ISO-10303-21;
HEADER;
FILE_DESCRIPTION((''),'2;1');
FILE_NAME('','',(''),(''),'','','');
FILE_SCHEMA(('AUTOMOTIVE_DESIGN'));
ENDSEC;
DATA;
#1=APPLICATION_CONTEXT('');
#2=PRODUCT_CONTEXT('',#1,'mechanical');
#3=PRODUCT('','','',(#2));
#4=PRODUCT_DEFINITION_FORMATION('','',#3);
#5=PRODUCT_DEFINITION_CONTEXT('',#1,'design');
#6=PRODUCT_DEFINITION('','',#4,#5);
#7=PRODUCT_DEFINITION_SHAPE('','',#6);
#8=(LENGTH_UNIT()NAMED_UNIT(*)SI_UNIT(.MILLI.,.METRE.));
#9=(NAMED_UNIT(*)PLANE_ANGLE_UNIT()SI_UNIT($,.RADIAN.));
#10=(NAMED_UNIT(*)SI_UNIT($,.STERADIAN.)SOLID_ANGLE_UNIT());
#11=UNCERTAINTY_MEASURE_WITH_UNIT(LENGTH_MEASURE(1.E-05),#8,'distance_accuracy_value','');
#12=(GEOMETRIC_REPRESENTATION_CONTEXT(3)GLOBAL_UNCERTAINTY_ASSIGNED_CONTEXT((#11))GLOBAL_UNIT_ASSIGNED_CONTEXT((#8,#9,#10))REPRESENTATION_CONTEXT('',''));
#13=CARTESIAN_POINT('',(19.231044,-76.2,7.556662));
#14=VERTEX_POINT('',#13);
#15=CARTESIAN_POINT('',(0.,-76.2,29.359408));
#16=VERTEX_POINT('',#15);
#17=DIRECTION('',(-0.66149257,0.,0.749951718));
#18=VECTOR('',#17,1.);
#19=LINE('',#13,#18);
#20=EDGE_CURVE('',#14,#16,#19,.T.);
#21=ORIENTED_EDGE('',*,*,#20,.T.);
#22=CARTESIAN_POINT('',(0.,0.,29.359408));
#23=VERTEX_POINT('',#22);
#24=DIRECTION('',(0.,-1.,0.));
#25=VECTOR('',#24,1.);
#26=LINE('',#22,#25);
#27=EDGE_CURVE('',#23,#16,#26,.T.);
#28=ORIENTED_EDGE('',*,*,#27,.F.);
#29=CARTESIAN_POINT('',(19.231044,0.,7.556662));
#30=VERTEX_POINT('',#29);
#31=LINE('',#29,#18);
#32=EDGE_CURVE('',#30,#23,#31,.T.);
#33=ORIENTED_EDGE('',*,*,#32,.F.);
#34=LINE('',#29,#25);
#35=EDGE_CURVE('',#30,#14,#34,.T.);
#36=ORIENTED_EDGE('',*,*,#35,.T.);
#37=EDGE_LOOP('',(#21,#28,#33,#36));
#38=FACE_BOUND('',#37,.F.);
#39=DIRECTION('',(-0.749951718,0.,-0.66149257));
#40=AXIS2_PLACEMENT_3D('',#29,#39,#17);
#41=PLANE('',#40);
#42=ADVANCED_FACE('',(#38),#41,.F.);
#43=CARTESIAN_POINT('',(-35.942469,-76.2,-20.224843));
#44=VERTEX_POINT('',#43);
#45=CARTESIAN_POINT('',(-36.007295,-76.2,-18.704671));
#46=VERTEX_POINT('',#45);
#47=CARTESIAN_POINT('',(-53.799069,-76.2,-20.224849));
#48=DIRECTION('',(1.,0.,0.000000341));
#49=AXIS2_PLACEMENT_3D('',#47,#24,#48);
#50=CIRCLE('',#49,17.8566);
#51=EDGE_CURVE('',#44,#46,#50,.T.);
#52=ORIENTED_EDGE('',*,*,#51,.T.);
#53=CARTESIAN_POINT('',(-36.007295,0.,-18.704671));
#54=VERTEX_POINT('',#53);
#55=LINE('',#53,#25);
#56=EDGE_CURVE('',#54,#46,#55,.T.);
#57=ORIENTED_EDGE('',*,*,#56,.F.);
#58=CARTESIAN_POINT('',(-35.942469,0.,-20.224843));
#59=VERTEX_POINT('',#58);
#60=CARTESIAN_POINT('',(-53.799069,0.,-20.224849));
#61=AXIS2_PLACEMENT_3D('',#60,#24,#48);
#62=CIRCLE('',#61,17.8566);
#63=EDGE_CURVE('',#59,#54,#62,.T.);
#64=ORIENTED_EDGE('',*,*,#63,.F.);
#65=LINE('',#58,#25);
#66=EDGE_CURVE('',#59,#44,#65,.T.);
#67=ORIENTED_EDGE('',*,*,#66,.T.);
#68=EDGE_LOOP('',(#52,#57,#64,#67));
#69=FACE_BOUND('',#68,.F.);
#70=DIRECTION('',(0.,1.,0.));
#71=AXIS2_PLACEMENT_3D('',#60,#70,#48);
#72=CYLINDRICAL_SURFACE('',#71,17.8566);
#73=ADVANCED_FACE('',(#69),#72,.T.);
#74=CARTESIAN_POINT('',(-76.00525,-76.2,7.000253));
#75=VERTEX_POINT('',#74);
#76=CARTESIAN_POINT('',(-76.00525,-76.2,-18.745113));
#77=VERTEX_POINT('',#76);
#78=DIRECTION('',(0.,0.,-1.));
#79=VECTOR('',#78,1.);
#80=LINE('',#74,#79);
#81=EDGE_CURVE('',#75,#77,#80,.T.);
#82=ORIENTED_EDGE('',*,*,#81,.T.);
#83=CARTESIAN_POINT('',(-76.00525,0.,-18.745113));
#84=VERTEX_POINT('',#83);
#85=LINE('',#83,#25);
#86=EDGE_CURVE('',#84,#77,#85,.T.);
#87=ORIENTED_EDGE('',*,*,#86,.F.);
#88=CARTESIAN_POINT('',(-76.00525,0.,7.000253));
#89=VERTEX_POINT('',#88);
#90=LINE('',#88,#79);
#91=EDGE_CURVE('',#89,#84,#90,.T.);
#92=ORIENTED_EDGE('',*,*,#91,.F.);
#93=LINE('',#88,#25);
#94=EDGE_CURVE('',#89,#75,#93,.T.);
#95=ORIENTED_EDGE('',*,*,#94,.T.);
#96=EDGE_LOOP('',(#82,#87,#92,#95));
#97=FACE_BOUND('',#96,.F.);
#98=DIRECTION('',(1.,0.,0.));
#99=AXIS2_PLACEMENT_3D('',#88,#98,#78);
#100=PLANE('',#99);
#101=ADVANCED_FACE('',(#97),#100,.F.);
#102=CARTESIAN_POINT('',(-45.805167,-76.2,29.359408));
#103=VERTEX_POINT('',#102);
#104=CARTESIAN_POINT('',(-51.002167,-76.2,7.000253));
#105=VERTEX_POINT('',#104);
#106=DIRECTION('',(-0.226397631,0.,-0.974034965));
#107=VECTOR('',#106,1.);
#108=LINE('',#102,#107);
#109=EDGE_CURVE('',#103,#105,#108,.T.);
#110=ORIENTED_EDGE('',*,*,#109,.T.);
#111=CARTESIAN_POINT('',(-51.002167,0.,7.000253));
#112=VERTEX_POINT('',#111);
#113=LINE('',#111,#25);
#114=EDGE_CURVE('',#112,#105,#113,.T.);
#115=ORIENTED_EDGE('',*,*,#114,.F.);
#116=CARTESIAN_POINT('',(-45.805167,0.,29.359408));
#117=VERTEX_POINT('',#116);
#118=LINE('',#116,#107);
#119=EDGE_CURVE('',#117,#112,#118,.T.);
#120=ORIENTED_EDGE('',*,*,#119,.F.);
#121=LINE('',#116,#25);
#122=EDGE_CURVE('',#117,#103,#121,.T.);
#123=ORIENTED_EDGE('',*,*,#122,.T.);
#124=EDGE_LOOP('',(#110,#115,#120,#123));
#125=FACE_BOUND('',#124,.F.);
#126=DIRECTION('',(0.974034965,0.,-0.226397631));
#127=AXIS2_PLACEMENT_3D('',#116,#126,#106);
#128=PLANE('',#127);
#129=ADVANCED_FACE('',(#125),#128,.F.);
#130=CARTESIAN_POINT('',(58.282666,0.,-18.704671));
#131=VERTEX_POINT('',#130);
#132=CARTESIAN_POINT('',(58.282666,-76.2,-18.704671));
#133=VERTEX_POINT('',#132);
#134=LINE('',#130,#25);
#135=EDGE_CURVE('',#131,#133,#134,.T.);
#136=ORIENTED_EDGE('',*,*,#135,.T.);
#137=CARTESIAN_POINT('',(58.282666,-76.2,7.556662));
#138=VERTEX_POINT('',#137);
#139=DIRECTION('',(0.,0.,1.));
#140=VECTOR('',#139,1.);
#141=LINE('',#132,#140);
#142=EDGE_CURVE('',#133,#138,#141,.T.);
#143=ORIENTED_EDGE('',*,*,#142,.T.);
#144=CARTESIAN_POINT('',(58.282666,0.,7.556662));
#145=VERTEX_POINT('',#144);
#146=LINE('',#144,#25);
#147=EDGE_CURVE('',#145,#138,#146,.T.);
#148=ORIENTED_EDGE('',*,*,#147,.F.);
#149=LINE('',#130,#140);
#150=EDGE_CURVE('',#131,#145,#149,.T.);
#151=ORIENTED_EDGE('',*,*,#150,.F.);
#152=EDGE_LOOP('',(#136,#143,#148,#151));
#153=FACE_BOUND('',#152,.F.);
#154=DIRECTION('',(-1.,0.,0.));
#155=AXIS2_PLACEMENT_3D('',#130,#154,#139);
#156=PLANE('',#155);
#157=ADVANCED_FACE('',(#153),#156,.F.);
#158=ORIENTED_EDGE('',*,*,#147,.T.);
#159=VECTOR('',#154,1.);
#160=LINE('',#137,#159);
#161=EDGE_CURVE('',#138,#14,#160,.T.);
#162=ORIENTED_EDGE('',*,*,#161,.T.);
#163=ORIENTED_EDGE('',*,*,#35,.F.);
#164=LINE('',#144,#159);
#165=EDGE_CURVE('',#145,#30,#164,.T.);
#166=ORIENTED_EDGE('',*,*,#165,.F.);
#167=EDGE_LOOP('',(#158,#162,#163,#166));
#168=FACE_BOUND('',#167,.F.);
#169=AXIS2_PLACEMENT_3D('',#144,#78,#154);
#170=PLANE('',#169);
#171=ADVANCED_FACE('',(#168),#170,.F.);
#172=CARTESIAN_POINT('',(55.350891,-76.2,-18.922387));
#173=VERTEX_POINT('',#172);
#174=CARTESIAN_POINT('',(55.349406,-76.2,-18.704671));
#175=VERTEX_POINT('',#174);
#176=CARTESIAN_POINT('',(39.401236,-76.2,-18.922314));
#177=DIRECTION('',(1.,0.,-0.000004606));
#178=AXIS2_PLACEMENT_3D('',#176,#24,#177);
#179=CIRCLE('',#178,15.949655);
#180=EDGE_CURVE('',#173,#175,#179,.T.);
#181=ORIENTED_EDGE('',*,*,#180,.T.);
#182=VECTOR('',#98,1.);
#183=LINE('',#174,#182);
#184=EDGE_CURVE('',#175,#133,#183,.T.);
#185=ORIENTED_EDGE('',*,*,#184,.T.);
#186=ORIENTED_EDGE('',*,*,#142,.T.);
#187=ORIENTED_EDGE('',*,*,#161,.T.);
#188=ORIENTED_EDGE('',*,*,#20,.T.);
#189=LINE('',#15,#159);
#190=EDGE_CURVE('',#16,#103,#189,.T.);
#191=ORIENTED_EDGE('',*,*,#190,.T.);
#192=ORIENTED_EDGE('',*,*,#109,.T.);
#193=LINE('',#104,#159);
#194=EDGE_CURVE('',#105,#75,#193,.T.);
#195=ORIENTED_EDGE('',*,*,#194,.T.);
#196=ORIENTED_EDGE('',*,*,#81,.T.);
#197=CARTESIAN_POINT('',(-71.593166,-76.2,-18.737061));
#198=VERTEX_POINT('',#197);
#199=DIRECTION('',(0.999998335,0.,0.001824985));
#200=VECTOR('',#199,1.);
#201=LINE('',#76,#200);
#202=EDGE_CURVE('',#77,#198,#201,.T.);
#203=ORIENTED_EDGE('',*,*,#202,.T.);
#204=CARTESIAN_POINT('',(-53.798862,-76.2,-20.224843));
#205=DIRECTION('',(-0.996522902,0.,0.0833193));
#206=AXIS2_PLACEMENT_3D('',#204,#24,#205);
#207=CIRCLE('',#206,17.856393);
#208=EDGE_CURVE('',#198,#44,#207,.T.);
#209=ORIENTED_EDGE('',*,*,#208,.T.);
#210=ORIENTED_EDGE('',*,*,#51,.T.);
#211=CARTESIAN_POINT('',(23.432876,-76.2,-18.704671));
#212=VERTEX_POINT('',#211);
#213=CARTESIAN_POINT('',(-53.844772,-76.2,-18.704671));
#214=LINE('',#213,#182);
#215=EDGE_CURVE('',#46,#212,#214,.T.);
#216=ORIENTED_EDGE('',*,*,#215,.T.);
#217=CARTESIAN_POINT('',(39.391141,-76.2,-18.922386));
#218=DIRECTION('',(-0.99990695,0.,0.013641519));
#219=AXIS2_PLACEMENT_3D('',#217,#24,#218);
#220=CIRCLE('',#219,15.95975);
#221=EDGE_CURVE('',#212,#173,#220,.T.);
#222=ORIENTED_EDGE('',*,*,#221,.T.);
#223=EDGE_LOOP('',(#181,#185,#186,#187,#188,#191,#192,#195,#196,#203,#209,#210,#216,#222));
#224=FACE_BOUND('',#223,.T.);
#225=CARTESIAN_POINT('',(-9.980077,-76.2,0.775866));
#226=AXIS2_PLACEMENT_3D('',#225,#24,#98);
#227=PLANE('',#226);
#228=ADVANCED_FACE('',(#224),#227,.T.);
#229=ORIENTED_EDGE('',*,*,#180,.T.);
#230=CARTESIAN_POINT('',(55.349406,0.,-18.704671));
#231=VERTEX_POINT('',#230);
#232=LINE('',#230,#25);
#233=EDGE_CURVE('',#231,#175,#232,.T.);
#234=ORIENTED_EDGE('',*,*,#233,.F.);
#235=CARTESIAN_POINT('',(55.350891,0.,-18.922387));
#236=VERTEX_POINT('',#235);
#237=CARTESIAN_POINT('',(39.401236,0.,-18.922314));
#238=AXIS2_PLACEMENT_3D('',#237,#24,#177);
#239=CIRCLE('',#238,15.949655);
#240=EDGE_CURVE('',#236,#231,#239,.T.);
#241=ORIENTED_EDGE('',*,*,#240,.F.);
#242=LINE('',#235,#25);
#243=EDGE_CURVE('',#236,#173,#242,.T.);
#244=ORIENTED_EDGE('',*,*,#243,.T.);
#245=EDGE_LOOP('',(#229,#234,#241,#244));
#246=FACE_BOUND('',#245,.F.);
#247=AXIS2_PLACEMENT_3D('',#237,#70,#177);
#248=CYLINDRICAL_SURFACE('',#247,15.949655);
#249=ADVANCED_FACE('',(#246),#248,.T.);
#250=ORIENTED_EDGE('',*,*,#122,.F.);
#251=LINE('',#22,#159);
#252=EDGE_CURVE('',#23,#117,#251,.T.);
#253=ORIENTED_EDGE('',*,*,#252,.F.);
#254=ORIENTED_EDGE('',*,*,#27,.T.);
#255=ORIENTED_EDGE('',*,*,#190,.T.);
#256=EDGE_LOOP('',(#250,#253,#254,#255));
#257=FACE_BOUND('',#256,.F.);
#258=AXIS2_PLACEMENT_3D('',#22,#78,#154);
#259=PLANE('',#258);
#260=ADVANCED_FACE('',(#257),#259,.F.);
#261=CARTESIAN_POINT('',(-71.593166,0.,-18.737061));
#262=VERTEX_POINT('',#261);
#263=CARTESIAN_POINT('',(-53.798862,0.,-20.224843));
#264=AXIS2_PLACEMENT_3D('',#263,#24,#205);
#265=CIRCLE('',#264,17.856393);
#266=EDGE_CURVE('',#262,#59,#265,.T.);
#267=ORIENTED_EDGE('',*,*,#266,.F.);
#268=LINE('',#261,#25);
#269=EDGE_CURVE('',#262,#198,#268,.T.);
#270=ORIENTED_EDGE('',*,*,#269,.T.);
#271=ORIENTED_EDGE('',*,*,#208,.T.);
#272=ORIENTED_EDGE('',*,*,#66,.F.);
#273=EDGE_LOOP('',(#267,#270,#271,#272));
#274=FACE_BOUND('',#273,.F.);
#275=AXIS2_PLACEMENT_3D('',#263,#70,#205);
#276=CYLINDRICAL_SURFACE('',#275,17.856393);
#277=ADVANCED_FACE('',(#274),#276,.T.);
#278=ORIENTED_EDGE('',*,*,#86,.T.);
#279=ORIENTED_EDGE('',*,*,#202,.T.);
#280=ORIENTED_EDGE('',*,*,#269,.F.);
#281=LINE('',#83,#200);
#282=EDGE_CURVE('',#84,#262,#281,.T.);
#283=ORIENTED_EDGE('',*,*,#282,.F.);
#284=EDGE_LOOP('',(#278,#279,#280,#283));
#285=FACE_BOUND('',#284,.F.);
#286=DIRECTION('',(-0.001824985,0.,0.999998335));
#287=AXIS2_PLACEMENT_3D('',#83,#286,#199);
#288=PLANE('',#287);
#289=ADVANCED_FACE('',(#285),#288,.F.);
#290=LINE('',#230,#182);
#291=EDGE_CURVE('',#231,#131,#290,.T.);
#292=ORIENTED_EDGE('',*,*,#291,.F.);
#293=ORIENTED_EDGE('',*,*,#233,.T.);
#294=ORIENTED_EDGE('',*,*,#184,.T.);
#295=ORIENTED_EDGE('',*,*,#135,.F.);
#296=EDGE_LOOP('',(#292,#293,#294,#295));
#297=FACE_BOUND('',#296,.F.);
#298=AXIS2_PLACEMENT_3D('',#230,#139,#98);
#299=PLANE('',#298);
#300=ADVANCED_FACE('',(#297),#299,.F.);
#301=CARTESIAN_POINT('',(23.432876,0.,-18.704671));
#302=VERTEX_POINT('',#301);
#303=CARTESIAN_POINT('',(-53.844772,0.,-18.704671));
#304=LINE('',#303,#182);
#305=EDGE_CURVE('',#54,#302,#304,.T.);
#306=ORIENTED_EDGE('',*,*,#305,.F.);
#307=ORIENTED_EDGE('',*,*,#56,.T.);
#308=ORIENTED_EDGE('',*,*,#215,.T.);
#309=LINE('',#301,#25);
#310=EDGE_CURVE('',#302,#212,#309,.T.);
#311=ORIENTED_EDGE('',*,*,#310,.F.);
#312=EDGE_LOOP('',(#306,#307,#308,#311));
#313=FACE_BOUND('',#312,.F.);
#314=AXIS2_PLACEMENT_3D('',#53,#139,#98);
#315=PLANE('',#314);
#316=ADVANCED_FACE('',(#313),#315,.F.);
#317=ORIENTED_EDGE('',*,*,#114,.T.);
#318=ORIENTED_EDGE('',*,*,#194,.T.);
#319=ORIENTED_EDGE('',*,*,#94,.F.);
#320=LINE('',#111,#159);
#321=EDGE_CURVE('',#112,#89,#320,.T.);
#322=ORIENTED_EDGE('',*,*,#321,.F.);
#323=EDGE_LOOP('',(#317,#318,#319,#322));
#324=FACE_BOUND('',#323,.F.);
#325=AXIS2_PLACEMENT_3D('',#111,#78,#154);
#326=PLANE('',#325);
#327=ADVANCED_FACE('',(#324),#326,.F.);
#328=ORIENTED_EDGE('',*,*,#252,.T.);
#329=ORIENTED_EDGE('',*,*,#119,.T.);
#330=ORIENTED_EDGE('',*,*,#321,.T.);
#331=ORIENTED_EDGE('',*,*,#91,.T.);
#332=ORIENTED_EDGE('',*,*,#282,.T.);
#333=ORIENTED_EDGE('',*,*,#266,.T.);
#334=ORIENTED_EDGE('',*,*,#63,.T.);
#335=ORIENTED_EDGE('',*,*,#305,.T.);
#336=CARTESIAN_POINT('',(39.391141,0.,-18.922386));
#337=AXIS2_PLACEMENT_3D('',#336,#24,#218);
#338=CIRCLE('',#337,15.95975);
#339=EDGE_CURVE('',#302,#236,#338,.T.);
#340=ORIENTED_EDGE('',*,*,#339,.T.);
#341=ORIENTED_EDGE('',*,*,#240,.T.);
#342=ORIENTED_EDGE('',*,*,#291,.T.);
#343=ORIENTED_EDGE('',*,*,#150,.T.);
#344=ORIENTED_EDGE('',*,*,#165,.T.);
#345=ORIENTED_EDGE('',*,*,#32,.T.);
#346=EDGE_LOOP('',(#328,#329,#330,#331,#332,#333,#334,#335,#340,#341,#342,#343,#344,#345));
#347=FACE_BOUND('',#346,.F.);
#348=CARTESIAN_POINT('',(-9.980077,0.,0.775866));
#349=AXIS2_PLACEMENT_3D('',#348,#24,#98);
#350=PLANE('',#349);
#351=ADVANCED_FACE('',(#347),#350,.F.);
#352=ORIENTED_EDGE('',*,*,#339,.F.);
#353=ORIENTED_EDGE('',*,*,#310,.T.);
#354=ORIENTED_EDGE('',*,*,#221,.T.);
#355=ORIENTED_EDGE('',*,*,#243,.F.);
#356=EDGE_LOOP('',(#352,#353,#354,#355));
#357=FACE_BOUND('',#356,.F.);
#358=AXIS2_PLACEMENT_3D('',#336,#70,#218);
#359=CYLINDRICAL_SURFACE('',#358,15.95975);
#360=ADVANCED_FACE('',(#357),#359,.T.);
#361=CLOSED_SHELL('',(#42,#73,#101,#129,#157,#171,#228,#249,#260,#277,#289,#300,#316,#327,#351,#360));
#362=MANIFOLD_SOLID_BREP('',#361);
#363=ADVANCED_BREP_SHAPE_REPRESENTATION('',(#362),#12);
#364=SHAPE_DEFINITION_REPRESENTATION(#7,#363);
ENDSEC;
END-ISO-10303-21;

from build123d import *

# Parameters (mm, degrees)
F3_DEPTH = 76.2


with BuildPart() as f3:
    # F2 (on face) → F3 (new body)
    with BuildSketch(Plane.XZ):
        with BuildLine():
            ThreePointArc((23.432876, -18.704671), (39.391141, -2.962637), (55.349406, -18.704671))
            Line((55.349406, -18.704671), (58.282666, -18.704671))
            Line((58.282666, -18.704671), (58.282666, 7.556662))
            Line((58.282666, 7.556662), (19.231044, 7.556662))
            Line((19.231044, 7.556662), (0, 29.359408))
            Line((0, 29.359408), (-45.805167, 29.359408))
            Line((-45.805167, 29.359408), (-51.002167, 7.000253))
            Line((-51.002167, 7.000253), (-76.00525, 7.000253))
            Line((-76.00525, 7.000253), (-76.00525, -18.745113))
            Line((-76.00525, -18.745113), (-71.593166, -18.737061))
            ThreePointArc((-71.593166, -18.737061), (-53.815115, -2.368458), (-36.007295, -18.704671))
            Line((-36.007295, -18.704671), (23.432876, -18.704671))
        make_face()
        with BuildLine():
            Line((-53.844772, -18.704671), (-36.007295, -18.704671))
            ThreePointArc((-36.007295, -18.704671), (-53.815115, -2.368458), (-71.593166, -18.737061))
            Line((-71.593166, -18.737061), (-53.844772, -18.704671))
        make_face()
        with BuildLine():
            ThreePointArc((-35.942469, -20.224843), (-35.958683, -19.464066), (-36.007295, -18.704671))
            Line((-36.007295, -18.704671), (-53.844772, -18.704671))
            Line((-53.844772, -18.704671), (-71.593166, -18.737061))
            ThreePointArc((-71.593166, -18.737061), (-54.5434, -38.065707), (-35.942469, -20.224843))
        make_face()
        with BuildLine():
            ThreePointArc((23.432876, -18.704671), (39.282281, -34.881765), (55.350891, -18.922387))
            ThreePointArc((55.350891, -18.922387), (55.35052, -18.813527), (55.349406, -18.704671))
            Line((55.349406, -18.704671), (23.432876, -18.704671))
        make_face()
        with BuildLine():
            Line((23.432876, -18.704671), (55.349406, -18.704671))
            ThreePointArc((55.349406, -18.704671), (39.391141, -2.962637), (23.432876, -18.704671))
        make_face()
    extrude(amount=F3_DEPTH)


solid = f3.part
